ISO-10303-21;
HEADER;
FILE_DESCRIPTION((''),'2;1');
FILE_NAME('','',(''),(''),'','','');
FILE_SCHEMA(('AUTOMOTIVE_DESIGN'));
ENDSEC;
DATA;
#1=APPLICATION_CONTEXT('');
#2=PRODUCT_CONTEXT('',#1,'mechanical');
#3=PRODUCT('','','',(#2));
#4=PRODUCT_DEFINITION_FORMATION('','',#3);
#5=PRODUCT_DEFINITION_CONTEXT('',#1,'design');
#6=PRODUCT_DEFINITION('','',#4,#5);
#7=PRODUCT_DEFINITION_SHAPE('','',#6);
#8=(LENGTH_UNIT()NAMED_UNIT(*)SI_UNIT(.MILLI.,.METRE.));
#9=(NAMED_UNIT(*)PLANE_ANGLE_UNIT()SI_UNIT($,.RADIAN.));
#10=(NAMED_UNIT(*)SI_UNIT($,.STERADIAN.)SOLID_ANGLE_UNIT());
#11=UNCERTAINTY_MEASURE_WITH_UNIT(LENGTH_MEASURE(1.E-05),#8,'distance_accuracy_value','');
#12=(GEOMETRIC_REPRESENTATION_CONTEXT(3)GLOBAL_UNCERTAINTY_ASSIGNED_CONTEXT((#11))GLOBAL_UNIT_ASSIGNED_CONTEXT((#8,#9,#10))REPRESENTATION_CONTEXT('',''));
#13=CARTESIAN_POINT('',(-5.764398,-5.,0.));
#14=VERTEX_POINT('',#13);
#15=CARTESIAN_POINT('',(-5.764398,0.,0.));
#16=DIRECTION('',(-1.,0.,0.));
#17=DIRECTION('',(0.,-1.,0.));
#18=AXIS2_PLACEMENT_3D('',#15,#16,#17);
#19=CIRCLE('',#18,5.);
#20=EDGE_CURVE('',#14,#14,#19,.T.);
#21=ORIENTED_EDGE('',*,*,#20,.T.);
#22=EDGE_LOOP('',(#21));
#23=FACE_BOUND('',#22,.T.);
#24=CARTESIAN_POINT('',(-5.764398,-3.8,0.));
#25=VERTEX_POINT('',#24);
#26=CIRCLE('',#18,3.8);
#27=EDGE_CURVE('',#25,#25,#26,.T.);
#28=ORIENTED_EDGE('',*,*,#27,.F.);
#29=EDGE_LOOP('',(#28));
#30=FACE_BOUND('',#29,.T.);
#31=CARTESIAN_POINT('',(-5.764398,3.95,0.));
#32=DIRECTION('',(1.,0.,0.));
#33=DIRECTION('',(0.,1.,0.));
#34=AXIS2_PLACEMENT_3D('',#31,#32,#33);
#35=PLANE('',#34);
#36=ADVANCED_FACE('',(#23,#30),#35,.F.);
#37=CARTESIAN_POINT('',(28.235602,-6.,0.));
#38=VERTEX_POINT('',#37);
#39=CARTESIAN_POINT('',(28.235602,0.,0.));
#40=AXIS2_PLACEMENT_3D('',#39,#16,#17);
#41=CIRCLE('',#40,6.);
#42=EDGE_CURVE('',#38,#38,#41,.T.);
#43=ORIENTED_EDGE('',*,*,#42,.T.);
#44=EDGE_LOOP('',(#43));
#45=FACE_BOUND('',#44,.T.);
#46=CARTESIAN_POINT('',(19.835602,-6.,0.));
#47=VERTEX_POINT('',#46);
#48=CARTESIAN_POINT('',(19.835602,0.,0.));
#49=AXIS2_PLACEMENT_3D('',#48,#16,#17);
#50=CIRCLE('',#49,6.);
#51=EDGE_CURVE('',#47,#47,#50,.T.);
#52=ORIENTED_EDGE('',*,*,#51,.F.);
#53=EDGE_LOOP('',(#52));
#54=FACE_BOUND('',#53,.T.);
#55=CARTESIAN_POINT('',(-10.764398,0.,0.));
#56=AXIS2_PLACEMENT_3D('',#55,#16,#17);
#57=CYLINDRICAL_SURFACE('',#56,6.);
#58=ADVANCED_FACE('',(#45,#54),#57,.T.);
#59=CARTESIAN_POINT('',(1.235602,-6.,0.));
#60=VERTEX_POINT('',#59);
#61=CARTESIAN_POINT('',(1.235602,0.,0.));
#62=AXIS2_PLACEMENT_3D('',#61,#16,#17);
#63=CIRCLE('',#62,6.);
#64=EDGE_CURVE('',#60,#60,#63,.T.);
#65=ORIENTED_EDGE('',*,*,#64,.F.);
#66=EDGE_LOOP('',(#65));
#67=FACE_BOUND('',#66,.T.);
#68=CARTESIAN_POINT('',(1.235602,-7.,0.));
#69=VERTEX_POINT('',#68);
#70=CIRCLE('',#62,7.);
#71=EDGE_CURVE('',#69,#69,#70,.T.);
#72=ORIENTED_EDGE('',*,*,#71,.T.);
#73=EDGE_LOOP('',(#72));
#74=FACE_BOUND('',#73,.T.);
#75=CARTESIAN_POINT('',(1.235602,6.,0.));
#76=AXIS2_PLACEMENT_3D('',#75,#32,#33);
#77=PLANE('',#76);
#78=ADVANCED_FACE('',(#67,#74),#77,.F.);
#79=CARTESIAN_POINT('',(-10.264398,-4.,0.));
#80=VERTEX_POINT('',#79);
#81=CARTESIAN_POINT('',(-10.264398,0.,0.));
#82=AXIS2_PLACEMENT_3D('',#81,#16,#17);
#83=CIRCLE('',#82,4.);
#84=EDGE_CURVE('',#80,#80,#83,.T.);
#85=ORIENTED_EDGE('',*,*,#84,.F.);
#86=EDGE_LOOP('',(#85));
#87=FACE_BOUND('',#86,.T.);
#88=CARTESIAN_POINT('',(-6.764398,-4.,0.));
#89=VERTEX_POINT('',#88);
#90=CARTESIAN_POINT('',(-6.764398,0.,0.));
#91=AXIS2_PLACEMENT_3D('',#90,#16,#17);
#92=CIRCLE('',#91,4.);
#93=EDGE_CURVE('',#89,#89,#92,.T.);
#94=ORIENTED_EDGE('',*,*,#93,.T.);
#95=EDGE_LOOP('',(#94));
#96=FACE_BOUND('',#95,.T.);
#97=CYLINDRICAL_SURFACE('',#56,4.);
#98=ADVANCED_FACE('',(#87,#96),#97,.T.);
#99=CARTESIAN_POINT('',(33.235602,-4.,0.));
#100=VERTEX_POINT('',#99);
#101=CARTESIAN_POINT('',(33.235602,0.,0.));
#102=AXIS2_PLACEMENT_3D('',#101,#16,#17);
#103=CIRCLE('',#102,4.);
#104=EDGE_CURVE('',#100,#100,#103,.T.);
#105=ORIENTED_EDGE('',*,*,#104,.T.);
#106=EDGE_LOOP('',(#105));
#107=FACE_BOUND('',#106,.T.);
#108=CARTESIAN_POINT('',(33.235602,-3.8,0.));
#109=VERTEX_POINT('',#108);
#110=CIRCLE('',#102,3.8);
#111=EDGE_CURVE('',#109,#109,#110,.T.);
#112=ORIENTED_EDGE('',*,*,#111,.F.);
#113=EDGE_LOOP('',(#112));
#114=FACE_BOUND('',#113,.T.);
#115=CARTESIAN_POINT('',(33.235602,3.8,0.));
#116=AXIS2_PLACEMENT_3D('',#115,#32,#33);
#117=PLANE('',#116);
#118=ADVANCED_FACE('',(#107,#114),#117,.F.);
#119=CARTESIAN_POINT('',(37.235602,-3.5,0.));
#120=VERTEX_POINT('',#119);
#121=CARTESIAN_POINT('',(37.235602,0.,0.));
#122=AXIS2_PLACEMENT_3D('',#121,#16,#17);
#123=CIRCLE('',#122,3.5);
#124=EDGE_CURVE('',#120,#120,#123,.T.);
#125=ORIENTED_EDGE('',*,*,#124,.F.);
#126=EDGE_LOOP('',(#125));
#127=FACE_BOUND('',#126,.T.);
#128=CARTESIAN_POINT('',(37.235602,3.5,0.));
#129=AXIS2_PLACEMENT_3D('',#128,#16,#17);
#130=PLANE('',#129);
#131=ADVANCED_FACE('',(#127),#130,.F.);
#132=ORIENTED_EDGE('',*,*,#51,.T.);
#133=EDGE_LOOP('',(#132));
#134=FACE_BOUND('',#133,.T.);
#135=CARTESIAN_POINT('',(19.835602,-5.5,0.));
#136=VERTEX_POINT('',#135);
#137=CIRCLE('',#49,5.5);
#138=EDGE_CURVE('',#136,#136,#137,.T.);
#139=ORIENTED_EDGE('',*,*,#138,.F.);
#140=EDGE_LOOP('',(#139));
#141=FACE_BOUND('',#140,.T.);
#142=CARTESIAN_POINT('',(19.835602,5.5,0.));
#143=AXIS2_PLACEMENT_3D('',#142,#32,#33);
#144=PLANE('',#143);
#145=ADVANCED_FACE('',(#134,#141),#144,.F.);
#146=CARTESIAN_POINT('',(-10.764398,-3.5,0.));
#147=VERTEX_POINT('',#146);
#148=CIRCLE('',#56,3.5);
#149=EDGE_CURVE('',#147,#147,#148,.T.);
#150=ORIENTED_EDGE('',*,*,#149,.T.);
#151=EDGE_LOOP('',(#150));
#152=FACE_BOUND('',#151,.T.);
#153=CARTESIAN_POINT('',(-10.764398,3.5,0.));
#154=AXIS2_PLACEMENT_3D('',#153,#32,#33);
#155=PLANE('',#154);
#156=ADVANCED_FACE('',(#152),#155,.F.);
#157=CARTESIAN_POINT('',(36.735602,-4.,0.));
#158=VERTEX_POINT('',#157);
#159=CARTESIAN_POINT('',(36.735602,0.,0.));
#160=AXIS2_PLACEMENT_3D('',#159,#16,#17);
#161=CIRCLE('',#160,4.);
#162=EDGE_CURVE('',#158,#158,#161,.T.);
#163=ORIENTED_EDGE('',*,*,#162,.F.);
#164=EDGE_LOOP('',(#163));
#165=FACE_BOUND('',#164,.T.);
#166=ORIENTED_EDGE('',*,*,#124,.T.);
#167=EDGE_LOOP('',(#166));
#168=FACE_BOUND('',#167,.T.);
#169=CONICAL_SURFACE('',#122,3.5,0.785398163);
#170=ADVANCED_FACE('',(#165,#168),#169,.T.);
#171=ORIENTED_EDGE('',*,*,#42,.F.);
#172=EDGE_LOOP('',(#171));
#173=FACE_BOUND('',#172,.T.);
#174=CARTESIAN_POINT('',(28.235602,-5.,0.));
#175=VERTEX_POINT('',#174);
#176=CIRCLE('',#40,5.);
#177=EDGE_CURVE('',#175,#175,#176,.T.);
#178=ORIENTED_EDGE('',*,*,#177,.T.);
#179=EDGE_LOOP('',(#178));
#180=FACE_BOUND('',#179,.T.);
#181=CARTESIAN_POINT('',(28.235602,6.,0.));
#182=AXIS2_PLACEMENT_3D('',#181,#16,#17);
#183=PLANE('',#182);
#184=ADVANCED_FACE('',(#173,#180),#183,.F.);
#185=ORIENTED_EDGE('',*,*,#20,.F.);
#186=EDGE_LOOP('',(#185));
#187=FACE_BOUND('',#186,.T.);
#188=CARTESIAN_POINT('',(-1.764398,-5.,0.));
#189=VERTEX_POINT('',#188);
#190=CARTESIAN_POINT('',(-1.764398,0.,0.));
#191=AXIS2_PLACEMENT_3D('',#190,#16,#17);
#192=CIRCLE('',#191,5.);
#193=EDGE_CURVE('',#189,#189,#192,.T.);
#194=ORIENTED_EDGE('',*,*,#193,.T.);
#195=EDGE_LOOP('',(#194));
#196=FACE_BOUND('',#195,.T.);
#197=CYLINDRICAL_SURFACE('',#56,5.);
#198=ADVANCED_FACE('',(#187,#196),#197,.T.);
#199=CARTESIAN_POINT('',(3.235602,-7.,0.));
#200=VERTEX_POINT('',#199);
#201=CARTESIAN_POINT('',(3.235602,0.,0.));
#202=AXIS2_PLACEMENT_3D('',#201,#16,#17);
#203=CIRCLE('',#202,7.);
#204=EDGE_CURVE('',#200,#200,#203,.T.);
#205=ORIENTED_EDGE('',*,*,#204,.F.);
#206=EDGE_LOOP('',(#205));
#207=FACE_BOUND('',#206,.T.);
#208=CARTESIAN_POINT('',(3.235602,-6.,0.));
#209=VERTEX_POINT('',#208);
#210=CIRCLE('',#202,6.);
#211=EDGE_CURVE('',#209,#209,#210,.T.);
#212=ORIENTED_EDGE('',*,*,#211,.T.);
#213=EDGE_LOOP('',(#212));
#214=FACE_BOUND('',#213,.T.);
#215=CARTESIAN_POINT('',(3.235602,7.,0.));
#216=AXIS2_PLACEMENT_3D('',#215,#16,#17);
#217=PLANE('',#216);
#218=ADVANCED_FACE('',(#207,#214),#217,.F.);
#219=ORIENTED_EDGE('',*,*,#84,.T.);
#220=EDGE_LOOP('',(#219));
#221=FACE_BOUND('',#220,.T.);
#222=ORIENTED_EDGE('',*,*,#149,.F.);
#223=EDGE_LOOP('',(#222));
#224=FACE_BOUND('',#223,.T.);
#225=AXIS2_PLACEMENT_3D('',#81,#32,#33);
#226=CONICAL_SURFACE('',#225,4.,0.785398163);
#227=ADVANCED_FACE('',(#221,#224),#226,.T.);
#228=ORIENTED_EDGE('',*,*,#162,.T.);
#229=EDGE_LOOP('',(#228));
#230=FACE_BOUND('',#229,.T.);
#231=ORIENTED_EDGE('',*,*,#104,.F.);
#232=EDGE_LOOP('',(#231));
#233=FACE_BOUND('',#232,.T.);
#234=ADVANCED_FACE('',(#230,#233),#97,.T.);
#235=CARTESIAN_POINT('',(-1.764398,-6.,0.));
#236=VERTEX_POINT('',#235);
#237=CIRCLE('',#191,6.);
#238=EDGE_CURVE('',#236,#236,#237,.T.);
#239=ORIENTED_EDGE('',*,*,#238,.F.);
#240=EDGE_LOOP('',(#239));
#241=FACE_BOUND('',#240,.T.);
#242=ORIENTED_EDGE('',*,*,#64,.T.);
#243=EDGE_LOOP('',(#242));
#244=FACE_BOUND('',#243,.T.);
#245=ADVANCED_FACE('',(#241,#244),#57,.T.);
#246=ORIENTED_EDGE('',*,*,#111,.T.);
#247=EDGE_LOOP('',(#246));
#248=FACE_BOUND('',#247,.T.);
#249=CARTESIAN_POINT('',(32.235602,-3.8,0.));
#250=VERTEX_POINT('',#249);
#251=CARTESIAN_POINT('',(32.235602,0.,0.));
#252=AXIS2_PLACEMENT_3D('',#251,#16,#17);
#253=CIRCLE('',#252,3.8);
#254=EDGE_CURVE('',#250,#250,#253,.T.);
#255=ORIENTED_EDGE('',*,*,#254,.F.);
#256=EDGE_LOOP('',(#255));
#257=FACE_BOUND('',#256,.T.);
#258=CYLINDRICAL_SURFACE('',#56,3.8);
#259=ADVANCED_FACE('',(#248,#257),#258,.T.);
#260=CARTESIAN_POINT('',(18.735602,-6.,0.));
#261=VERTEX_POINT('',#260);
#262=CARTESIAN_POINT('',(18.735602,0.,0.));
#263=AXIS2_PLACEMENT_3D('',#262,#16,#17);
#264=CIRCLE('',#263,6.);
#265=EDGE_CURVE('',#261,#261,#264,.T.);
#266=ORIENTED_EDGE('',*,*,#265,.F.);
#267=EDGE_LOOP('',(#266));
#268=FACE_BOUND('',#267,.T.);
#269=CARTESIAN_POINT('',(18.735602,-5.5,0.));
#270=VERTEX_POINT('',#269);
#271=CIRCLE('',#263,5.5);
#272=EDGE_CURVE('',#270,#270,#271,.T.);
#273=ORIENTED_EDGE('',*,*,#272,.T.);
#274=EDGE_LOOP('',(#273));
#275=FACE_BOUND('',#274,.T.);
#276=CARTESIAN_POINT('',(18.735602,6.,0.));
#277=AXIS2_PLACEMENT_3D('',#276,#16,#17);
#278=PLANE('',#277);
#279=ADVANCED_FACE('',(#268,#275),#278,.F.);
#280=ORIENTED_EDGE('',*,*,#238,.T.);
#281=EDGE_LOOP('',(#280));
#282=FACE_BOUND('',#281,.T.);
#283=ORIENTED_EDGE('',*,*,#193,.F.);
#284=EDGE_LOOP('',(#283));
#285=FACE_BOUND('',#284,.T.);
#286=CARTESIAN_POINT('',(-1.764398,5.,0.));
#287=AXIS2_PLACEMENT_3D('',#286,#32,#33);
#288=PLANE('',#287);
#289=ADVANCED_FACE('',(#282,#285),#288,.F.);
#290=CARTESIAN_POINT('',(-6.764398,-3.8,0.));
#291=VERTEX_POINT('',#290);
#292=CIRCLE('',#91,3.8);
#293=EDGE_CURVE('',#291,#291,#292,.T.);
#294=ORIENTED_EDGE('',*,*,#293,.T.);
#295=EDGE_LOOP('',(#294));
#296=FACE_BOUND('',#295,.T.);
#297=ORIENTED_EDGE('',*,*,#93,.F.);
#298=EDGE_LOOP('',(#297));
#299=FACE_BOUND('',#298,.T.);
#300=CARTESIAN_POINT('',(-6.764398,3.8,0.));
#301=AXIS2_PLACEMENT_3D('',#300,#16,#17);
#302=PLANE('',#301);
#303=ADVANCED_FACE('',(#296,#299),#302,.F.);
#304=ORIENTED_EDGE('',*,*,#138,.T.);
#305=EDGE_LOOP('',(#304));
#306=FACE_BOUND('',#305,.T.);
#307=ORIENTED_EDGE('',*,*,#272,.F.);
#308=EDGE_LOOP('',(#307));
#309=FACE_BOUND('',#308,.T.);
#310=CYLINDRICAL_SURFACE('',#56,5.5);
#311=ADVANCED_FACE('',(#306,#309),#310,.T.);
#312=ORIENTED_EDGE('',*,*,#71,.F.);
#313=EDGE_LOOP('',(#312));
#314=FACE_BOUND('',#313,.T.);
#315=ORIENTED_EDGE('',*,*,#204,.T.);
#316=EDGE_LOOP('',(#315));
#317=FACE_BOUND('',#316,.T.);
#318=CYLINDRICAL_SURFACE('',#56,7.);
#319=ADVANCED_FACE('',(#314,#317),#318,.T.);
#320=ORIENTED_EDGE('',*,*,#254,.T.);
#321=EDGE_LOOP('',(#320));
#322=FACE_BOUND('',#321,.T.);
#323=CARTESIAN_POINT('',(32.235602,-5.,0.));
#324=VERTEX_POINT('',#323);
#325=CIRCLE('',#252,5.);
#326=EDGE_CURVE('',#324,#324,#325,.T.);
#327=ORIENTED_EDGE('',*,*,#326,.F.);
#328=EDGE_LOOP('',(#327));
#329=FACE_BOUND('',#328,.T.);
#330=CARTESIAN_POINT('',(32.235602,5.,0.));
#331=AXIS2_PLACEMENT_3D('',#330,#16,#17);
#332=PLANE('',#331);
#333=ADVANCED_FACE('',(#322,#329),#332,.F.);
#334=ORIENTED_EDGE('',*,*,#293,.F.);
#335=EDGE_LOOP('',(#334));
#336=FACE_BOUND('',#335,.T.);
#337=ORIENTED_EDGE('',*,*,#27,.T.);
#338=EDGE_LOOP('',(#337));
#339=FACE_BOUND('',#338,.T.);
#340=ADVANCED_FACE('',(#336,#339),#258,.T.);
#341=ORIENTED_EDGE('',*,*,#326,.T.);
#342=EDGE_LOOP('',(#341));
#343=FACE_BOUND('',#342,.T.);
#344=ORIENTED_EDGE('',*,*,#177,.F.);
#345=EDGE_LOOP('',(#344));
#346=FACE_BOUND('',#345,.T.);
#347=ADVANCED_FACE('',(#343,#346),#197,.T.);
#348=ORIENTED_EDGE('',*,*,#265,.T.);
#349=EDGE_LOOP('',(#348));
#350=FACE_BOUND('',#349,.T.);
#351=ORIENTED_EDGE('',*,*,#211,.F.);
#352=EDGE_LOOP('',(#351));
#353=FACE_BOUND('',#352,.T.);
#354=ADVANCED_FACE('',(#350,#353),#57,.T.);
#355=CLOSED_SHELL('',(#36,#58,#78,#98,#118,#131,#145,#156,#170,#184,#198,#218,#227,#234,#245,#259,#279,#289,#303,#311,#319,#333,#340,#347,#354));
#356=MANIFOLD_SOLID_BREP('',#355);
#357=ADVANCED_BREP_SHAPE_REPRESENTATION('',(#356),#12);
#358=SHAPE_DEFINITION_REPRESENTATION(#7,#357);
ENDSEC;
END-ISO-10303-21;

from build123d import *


with BuildPart() as part:
    # 草图1 → 旋转1 (revolve)
    with BuildSketch(Plane.XY):
        Polygon((-10.764397906, 0), (37.235602094, 0), (37.235602094, 3.5), (36.735602094, 4), (33.235602094, 4), (33.235602094, 3.8), (32.235602094, 3.8), (32.235602094, 3.95), (32.235602094, 5), (28.235602094, 5), (28.235602094, 6), (19.835602094, 6), (19.835602094, 5.5), (18.735602094, 5.5), (18.735602094, 6), (3.235602094, 6), (3.235602094, 7), (1.235602094, 7), (1.235602094, 6), (-1.764397906, 6), (-1.764397906, 5), (-5.764397906, 5), (-5.764397906, 3.95), (-5.764397906, 3.8), (-6.764397906, 3.8), (-6.764397906, 4), (-10.264397906, 4), (-10.764397906, 3.5), align=None)
    revolve(axis=Axis((-10.764397906, 0, 0), (1, 0, 0)))


solid = part.part
